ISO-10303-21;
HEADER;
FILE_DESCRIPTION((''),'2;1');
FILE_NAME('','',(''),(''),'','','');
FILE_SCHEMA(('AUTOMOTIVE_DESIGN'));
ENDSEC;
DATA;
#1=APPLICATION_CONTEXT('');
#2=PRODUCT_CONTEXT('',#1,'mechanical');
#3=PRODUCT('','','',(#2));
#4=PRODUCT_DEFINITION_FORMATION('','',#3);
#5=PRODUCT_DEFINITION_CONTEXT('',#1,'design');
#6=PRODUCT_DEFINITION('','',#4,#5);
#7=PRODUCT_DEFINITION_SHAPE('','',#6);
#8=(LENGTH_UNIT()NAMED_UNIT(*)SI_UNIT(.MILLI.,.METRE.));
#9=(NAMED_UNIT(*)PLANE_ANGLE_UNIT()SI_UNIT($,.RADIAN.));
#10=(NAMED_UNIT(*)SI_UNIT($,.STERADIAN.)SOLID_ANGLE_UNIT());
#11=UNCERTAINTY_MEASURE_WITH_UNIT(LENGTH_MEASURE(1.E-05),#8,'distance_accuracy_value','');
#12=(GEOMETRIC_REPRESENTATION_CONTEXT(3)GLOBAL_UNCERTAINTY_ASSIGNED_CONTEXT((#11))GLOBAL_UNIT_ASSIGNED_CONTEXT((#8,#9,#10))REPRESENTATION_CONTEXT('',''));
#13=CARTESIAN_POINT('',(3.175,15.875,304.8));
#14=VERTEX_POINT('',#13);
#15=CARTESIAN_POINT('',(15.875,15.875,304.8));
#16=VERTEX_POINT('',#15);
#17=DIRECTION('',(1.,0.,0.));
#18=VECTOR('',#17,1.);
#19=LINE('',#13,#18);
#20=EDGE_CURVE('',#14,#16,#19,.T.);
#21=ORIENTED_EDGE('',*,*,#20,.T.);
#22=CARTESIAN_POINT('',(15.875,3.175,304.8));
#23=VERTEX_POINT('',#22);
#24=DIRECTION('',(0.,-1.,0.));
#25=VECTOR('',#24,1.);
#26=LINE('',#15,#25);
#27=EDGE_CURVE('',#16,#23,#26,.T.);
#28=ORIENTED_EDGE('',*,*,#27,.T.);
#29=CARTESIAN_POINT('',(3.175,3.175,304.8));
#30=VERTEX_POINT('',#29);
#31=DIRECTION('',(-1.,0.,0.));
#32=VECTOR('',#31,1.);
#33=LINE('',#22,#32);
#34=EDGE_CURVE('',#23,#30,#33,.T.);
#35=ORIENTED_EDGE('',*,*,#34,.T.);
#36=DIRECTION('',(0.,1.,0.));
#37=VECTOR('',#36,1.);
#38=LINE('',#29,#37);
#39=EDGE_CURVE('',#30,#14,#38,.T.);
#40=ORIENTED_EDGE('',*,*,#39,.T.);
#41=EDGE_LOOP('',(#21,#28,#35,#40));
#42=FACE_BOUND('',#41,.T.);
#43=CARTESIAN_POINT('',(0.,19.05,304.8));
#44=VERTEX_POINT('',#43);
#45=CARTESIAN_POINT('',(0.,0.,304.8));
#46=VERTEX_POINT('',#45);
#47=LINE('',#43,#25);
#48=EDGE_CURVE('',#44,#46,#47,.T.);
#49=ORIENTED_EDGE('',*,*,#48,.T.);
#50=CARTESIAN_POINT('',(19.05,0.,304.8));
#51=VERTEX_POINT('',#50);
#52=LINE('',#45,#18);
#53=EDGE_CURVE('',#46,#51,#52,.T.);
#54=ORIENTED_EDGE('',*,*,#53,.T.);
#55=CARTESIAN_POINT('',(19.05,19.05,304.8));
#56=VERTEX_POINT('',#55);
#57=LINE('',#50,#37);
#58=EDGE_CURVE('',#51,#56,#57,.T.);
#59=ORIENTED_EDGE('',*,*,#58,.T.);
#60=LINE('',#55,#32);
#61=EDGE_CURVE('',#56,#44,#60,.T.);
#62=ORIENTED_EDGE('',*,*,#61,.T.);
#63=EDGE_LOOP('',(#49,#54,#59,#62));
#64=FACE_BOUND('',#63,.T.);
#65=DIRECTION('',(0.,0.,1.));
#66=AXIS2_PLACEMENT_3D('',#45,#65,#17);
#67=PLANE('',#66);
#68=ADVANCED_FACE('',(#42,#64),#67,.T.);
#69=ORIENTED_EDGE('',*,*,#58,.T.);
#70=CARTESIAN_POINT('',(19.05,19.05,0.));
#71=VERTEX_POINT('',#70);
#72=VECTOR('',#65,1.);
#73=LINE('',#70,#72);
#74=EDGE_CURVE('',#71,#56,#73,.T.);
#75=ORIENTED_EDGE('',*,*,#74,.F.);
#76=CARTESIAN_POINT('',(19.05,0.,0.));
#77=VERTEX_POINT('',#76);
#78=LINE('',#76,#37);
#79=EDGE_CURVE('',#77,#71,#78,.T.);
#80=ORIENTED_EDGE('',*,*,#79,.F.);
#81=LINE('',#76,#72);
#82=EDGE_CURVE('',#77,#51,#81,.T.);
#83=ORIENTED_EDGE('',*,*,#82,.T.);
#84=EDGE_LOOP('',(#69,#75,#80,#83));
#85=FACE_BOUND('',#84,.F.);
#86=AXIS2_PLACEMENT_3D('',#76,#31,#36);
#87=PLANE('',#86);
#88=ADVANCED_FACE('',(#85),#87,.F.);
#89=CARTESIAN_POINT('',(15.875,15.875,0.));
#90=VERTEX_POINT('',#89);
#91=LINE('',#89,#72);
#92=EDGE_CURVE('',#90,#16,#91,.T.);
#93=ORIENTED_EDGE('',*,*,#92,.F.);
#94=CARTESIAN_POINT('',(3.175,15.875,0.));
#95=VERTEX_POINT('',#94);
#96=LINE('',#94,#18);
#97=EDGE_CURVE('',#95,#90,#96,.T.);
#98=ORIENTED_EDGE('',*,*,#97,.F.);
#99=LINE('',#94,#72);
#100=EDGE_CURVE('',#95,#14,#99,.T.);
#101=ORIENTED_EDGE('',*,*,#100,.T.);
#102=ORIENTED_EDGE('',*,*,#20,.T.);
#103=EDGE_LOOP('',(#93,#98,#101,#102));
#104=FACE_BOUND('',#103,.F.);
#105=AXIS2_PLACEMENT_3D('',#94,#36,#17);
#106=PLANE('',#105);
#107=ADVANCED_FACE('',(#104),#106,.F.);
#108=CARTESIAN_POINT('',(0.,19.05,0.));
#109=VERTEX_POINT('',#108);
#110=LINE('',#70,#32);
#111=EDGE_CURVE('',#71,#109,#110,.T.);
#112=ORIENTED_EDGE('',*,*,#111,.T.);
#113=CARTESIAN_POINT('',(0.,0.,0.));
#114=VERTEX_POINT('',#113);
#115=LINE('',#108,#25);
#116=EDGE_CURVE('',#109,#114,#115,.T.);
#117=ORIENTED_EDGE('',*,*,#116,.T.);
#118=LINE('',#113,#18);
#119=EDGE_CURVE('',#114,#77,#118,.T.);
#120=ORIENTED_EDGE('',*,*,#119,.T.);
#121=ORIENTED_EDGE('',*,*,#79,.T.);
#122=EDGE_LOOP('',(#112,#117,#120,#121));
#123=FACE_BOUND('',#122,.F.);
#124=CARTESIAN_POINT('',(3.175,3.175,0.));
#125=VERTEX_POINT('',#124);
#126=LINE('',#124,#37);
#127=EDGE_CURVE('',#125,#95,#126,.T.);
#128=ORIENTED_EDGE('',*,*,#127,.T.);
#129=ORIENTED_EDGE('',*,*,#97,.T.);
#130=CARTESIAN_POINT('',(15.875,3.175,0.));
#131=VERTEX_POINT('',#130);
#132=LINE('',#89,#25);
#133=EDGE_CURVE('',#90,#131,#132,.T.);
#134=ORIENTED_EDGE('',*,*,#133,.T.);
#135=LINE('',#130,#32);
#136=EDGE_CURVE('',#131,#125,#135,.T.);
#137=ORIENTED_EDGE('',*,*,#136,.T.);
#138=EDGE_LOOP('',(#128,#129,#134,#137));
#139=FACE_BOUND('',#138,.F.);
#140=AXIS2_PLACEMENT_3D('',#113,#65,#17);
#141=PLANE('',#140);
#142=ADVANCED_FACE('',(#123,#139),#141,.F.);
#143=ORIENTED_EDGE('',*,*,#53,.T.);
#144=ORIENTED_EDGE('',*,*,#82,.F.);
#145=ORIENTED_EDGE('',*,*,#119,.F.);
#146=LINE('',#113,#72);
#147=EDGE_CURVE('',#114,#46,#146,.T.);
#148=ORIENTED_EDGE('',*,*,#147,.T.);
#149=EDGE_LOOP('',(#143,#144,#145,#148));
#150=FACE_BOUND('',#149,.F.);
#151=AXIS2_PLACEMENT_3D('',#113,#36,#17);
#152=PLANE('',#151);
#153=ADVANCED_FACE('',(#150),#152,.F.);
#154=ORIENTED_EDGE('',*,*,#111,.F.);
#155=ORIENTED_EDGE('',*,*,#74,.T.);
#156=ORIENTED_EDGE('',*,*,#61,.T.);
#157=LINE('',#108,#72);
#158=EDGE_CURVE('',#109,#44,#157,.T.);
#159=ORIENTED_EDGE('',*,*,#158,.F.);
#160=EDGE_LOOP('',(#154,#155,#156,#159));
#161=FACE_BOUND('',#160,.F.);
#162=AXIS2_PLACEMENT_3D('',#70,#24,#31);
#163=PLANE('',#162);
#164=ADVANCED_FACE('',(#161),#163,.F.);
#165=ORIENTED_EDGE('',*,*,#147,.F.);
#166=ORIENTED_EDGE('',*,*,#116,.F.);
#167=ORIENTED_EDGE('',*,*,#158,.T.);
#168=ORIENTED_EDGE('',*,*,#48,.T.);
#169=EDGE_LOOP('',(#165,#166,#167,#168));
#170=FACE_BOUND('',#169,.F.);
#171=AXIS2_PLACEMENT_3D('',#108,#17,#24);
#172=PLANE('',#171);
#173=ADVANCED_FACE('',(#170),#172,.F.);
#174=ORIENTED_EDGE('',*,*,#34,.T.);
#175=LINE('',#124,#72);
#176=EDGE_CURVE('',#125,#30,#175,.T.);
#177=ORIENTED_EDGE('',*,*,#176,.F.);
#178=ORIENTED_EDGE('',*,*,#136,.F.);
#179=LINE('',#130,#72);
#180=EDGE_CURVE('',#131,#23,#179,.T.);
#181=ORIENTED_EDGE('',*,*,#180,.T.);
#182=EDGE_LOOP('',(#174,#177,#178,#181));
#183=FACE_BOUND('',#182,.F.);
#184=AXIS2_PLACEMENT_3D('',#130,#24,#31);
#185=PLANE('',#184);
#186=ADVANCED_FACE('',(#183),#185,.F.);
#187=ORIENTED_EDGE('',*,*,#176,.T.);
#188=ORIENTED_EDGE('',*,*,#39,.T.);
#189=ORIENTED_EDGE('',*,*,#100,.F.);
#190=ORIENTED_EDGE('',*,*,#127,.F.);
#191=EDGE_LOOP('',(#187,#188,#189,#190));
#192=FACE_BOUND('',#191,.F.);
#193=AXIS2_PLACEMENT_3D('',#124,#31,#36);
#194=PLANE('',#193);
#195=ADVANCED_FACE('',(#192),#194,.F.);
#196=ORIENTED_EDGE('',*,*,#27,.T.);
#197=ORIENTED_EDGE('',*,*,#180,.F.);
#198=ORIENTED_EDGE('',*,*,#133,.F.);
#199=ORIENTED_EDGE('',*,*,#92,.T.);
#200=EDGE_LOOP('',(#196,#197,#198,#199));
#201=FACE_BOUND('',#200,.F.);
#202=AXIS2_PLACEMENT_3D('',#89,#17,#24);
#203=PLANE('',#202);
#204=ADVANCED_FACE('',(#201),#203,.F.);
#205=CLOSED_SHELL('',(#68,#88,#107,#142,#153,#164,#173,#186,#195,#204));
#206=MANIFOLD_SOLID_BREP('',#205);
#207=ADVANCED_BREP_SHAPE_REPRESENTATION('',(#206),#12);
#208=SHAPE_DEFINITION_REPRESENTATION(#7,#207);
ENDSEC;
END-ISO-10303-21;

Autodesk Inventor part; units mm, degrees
ref_plane "YZ Plane" through (0, 0, 0) normal (1, 0, 0) x (0, 1, 0)
ref_plane "XZ Plane" through (0, 0, 0) normal (0, 1, 0) x (-1, 0, 0)
ref_plane "XY Plane" through (0, 0, 0) normal (0, 0, 1) x (1, 0, 0)
sketch "Sketch1" plane through (0, 0, 0) normal (0, 0, 1) x (1, 0, 0)
  line L0 (0, 0) -> (19.05, 0)
  line L1 (19.05, 0) -> (19.05, 19.05)
  line L2 (19.05, 19.05) -> (0, 19.05)
  line L3 (0, 19.05) -> (0, 0)
  line L4 (15.875, 15.875) -> (15.875, 3.175)
  line L5 (15.875, 3.175) -> (3.175, 3.175)
  line L6 (3.175, 3.175) -> (3.175, 15.875)
  line L7 (3.175, 15.875) -> (15.875, 15.875)
  dimension "d0" = 19.05
  dimension "d1" = 19.05
  dimension "d2" = 3.175
extrude "Extrusion1" add sketch "Sketch1" along normal blind 304.8
ref_plane "Work Plane1" through (0, 0, 152.4) normal (0, 0, 1) x (1, 0, 0)
ref_plane "Work Plane2" through (0, 9.525, 0) normal (0, 1, 0) x (1, 0, 0)
ref_plane "Work Plane3" through (9.525, 0, 0) normal (1, 0, 0) x (0, 0, -1)
properties part number "Lift Brace"
